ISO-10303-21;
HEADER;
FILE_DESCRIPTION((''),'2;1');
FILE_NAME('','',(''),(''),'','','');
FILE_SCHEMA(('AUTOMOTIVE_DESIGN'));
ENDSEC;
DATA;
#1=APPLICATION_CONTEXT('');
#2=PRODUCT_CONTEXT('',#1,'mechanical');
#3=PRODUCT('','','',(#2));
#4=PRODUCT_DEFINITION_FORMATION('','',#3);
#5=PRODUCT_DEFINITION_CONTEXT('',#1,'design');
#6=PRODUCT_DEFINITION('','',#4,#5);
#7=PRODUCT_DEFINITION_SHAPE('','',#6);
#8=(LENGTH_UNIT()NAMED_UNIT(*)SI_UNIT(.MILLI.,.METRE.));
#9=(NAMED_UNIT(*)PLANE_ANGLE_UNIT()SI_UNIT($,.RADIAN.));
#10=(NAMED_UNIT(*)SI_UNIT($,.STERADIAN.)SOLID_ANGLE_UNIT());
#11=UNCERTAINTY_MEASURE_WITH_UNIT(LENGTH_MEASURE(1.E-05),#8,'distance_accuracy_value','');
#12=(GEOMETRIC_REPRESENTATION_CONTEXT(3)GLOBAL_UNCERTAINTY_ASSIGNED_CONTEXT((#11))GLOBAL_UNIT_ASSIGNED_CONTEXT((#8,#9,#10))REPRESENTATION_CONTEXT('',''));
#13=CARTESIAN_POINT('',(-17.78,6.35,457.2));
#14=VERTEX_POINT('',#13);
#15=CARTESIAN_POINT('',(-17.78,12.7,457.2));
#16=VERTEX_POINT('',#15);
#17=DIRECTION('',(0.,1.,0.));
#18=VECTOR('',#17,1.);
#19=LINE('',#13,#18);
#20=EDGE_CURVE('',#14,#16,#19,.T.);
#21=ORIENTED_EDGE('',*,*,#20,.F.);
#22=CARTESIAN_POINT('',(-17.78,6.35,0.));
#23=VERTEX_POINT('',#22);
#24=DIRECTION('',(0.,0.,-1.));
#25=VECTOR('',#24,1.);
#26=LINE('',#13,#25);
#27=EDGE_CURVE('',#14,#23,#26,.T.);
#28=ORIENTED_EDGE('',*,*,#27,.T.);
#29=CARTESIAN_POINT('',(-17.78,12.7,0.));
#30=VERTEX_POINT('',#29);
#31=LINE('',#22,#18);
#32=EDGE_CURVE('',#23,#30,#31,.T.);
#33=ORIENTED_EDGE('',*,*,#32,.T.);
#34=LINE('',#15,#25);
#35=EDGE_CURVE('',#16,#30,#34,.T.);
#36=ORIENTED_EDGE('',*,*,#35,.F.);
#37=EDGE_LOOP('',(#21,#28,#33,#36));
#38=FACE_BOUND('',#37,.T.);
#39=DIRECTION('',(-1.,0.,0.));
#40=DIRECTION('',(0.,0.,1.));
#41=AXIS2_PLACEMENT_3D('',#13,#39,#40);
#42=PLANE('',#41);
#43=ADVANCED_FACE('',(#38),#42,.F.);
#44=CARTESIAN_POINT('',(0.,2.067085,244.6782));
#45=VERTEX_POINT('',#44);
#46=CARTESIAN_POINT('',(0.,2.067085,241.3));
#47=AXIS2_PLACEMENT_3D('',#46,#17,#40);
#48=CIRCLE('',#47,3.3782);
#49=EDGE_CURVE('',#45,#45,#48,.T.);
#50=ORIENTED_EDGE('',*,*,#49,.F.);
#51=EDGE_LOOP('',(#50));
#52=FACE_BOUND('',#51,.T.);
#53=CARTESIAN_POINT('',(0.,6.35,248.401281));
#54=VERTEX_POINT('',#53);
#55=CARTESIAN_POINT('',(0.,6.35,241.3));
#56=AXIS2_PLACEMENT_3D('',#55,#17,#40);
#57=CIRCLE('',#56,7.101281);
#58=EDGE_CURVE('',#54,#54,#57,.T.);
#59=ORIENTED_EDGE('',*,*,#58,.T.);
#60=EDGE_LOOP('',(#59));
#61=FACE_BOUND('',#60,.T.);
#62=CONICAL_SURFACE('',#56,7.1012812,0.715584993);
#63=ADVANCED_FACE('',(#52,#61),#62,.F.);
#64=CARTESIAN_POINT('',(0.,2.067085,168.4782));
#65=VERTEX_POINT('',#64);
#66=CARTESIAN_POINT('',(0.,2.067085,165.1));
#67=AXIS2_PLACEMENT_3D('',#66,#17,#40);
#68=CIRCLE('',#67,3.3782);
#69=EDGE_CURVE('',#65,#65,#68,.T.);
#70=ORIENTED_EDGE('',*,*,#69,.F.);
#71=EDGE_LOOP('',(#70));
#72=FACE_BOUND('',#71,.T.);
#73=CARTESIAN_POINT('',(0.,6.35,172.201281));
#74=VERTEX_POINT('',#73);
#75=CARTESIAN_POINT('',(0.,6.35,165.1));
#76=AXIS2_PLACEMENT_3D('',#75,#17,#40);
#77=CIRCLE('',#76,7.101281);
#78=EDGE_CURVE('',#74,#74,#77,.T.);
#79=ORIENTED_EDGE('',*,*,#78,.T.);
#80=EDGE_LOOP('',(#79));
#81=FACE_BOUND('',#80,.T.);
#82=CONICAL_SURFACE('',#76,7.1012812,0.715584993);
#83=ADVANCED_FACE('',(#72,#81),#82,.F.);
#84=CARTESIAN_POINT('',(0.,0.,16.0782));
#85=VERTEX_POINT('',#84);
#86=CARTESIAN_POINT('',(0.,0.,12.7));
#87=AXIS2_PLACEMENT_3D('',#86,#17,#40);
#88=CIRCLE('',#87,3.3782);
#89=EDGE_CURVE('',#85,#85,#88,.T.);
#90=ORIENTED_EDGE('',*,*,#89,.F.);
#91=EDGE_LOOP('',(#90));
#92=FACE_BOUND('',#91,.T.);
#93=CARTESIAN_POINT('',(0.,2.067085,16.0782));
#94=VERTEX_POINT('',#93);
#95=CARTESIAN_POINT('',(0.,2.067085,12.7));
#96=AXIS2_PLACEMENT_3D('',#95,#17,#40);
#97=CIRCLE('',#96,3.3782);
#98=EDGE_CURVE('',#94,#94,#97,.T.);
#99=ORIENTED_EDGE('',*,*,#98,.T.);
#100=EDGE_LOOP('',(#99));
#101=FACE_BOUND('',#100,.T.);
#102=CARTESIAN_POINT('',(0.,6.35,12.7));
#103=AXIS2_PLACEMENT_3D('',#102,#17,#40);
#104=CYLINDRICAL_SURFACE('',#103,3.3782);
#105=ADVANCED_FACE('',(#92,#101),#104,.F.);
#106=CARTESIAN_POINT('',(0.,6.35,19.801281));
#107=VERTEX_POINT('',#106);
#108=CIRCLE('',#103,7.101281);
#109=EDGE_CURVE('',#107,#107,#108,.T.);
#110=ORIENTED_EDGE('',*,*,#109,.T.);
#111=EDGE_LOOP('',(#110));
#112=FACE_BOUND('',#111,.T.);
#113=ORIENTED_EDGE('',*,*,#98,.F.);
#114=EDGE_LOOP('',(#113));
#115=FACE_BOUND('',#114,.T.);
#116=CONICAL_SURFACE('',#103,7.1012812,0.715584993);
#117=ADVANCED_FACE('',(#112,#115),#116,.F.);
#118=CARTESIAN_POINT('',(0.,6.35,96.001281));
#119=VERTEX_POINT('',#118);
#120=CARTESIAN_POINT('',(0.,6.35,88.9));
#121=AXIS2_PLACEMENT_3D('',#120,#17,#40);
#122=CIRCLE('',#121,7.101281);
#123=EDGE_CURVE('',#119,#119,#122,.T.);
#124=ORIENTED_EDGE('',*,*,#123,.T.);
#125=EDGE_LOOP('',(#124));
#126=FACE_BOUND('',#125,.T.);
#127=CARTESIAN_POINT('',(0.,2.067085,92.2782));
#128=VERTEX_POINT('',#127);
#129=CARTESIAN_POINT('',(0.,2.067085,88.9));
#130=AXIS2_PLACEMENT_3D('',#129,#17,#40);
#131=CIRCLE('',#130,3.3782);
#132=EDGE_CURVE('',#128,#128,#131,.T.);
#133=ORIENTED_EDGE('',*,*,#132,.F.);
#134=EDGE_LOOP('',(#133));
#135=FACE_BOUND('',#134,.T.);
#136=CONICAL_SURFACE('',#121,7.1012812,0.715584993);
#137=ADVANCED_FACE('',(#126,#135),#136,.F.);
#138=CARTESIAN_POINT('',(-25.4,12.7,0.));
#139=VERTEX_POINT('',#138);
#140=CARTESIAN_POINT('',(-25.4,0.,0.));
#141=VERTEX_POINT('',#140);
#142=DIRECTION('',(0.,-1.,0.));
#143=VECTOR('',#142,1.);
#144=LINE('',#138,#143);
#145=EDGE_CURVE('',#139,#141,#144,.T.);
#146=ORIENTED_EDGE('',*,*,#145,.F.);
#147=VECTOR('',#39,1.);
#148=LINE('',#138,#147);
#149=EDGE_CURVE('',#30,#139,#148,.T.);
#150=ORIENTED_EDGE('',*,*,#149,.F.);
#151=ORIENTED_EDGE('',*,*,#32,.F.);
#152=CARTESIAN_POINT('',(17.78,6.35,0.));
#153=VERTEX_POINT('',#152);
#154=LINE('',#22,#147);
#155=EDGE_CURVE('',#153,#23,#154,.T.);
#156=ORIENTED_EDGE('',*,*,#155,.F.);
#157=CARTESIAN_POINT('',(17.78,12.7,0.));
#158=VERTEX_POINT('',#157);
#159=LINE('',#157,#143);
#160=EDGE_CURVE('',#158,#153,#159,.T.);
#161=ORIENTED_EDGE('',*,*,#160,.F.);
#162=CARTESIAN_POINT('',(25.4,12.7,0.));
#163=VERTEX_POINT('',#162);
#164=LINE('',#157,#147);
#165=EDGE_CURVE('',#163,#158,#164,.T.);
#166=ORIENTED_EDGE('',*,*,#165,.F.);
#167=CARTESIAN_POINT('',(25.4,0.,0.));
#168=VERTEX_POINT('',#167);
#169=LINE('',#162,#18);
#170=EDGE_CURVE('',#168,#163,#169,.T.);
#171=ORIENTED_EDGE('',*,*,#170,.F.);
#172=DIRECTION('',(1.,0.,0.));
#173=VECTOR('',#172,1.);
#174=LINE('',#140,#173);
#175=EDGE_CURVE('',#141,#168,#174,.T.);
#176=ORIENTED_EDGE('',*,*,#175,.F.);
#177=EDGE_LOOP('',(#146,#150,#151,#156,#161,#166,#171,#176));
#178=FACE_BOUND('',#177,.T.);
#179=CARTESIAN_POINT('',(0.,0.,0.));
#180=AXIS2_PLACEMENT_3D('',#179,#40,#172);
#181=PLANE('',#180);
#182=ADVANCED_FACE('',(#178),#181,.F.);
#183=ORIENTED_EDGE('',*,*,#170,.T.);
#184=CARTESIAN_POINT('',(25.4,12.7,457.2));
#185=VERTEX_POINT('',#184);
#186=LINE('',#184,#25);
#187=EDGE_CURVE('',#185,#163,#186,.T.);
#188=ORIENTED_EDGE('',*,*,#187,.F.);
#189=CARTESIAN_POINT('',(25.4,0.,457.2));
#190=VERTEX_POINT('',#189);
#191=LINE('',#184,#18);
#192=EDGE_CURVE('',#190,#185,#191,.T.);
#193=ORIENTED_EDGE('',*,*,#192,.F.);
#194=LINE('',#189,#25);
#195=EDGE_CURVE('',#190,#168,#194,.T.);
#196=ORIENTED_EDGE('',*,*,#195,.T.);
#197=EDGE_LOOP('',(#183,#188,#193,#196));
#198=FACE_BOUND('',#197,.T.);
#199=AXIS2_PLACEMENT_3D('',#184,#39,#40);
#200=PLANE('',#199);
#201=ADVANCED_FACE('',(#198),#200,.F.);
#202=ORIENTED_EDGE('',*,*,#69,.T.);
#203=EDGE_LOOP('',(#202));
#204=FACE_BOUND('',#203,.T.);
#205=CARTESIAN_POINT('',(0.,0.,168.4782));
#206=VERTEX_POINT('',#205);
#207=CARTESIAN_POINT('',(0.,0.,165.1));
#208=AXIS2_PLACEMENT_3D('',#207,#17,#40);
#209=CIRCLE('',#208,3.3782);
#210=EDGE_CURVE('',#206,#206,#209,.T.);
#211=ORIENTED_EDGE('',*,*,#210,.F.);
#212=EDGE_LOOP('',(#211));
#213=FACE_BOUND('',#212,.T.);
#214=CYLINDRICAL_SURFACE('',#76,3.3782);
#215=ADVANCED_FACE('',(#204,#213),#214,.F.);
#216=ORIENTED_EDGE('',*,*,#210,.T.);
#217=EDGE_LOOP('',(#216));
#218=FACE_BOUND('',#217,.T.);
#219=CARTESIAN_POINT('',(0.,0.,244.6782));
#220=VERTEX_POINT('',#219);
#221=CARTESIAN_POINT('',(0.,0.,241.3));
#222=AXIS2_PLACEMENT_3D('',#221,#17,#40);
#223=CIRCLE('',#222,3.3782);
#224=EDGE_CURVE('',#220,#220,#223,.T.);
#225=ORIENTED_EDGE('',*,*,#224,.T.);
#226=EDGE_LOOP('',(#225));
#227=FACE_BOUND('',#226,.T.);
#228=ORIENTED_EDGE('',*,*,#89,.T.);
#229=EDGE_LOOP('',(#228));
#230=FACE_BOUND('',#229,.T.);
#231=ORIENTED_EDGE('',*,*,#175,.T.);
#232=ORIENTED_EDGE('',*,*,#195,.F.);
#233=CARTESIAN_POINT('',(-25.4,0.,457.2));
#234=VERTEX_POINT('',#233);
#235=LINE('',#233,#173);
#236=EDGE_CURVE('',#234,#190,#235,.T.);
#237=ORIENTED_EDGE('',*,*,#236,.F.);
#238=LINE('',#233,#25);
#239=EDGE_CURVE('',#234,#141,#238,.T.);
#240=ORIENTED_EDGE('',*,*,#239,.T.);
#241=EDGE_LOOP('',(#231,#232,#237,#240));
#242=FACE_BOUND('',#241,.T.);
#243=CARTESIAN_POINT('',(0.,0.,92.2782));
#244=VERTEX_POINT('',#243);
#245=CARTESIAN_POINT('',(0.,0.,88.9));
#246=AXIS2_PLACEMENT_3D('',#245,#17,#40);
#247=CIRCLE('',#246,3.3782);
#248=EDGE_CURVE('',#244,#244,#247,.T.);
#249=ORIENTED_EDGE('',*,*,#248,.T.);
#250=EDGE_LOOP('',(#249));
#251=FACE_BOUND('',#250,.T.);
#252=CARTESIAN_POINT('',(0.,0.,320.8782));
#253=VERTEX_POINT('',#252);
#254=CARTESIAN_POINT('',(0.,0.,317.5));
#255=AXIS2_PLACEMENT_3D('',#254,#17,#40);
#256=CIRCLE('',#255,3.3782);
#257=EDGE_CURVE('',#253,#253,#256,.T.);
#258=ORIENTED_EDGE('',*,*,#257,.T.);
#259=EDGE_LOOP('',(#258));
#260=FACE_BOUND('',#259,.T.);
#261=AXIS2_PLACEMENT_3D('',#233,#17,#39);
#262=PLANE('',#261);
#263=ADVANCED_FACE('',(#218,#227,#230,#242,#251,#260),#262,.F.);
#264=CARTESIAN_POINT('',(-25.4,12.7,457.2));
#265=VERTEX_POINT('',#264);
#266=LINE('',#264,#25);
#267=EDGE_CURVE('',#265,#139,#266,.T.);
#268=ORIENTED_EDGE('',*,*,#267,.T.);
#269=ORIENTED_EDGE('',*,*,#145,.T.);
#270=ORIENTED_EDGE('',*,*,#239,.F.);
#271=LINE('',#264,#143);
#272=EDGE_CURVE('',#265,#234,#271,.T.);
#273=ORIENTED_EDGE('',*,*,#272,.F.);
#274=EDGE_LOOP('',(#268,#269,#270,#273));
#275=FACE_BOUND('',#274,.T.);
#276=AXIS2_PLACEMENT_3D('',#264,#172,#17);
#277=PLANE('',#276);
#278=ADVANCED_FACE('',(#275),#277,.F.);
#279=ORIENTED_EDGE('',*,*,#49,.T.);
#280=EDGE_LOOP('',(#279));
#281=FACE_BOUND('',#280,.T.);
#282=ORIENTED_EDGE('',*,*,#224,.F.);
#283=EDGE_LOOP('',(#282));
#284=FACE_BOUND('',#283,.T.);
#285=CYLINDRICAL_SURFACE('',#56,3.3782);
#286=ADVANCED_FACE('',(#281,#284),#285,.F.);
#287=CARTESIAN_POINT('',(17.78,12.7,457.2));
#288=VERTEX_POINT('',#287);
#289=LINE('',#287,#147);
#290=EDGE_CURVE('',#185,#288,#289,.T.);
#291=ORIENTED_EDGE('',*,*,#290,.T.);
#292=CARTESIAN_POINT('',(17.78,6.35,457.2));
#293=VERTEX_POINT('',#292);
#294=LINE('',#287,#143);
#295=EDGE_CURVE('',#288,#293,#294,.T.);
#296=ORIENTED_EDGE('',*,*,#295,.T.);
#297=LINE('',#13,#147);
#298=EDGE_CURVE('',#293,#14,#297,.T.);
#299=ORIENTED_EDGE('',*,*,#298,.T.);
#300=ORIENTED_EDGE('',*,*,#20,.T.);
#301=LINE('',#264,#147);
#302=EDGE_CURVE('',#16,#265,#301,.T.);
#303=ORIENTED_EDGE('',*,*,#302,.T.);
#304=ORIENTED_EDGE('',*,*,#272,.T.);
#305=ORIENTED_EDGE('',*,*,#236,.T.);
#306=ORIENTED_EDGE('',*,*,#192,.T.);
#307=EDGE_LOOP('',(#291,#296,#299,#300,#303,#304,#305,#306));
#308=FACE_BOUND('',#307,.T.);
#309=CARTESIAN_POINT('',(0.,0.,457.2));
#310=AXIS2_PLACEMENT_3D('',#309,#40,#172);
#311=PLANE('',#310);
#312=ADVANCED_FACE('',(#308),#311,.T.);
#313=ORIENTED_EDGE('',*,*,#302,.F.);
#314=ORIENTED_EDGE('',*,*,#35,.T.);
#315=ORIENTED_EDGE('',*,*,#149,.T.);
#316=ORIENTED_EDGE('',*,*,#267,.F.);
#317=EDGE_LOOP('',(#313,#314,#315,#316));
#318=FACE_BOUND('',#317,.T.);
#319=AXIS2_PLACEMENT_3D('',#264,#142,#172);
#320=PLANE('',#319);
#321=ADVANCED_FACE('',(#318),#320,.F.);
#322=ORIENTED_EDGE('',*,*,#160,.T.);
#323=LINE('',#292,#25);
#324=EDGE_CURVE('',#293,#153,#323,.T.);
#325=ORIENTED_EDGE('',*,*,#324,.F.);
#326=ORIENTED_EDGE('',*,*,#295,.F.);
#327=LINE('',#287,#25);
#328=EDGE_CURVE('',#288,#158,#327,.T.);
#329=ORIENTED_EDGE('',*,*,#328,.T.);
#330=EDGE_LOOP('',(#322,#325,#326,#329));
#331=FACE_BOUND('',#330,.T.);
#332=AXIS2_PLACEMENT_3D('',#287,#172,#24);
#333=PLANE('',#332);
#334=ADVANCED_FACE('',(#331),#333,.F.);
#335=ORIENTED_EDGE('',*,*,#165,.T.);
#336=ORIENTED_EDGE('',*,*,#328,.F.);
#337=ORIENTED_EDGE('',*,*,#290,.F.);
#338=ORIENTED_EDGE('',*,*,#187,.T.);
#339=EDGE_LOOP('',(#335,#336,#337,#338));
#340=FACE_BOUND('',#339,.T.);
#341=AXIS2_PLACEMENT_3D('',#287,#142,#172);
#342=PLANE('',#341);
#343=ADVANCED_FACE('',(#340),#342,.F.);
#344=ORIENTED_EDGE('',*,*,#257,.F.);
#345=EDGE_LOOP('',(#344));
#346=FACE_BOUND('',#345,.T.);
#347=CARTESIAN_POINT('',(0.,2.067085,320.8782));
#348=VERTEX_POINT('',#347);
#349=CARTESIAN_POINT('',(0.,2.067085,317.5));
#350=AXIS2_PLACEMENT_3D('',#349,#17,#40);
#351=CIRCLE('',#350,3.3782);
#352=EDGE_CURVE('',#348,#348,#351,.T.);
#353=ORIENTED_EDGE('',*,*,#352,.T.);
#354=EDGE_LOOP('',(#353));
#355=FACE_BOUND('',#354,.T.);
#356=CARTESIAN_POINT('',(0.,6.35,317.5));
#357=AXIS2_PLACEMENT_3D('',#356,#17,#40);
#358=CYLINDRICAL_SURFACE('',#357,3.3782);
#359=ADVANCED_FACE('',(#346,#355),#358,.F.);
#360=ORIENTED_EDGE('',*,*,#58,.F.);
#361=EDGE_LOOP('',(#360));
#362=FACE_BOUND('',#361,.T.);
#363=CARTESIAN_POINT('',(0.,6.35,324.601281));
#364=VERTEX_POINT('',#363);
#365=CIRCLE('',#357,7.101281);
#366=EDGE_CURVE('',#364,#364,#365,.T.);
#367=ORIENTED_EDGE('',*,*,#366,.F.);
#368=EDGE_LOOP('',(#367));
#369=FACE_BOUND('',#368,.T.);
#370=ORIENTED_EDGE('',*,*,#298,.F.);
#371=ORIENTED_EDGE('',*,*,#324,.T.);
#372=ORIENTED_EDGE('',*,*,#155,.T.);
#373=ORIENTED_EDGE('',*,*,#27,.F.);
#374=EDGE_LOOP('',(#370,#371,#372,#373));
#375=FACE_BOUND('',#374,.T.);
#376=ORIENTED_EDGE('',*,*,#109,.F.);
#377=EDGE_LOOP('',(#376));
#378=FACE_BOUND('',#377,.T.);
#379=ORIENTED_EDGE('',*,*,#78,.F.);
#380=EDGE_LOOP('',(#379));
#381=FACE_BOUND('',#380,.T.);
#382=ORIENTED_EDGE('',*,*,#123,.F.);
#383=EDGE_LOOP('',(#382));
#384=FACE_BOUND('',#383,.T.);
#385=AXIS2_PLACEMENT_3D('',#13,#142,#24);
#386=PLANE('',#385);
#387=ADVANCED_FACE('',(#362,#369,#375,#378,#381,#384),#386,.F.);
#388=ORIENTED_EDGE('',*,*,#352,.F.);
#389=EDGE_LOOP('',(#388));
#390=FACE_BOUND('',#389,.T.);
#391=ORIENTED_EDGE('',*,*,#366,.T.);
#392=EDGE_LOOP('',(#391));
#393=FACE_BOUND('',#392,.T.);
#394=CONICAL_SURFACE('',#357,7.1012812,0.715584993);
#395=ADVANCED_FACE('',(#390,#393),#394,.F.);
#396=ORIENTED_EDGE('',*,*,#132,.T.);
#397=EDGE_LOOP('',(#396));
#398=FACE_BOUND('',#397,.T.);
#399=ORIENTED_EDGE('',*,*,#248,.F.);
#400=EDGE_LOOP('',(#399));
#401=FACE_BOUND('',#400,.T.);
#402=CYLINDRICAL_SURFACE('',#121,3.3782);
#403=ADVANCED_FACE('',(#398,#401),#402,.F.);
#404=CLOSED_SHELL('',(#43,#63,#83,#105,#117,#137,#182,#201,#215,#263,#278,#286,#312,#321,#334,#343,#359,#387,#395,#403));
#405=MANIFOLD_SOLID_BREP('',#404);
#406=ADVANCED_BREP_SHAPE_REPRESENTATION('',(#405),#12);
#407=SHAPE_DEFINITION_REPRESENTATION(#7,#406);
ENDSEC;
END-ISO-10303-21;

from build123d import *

# Parameters (mm, degrees)
BOSS_EXTRUDE1_DEPTH                           = 457.2
CSK_FOR_1_4_FLAT_HEAD_MACHINE_SCREW3_AT_COUNT = 2
CSK_FOR_1_4_FLAT_HEAD_MACHINE_SCREW3_AT_PITCH = 76.2
CSK_FOR_1_4_FLAT_HEAD_MACHINE_SCREW3_2_COUNT  = 2
CSK_FOR_1_4_FLAT_HEAD_MACHINE_SCREW3_2_PITCH  = 152.4
CSK_FOR_1_4_FLAT_HEAD_MACHINE_SCREW3_3_COUNT  = 2
CSK_FOR_1_4_FLAT_HEAD_MACHINE_SCREW3_3_PITCH  = 228.6
CSK_FOR_1_4_FLAT_HEAD_MACHINE_SCREW3_4_COUNT  = 2
CSK_FOR_1_4_FLAT_HEAD_MACHINE_SCREW3_4_PITCH  = 304.8


with BuildPart() as part:
    # Sketch → Boss-Extrude1 (new body)
    with BuildSketch(Plane.XY):
        Polygon((-17.78, 6.35), (-17.78, 12.7), (-25.4, 12.7), (-25.4, 0), (25.4, 0), (25.4, 12.7), (17.78, 12.7), (17.78, 6.35), align=None)
    extrude(amount=BOSS_EXTRUDE1_DEPTH)

    # Sketch4 → CSK for 1/4 Flat Head Machine Screw3 (revolve, cut)
    with BuildSketch(Plane(origin=(0, 6.35, 12.7), x_dir=(0, 0, 1), z_dir=(1, 0, 0))):
        Polygon((0, 0), (0, 6.35), (3.3782, 6.35), (3.3782, 4.28291499), (7.1012812, 0), align=None)
    csk_for_1_4_flat_head_machine_screw3 = revolve(axis=Axis((0, 12.7, 12.7), (0, -1, 0)), mode=Mode.SUBTRACT)

    # CSK for 1/4 Flat Head Machine Screw3 at: CSK for 1/4 Flat Head Machine Screw3 ×2
    with Locations(*[(0, 0, i * CSK_FOR_1_4_FLAT_HEAD_MACHINE_SCREW3_AT_PITCH) for i in range(1, CSK_FOR_1_4_FLAT_HEAD_MACHINE_SCREW3_AT_COUNT)]):
        add(csk_for_1_4_flat_head_machine_screw3, mode=Mode.SUBTRACT)

    # CSK for 1_4 Flat Head Machine Screw3 2: CSK for 1/4 Flat Head Machine Screw3 ×2
    with Locations(*[(0, 0, i * CSK_FOR_1_4_FLAT_HEAD_MACHINE_SCREW3_2_PITCH) for i in range(1, CSK_FOR_1_4_FLAT_HEAD_MACHINE_SCREW3_2_COUNT)]):
        add(csk_for_1_4_flat_head_machine_screw3, mode=Mode.SUBTRACT)

    # CSK for 1_4 Flat Head Machine Screw3 3: CSK for 1/4 Flat Head Machine Screw3 ×2
    with Locations(*[(0, 0, i * CSK_FOR_1_4_FLAT_HEAD_MACHINE_SCREW3_3_PITCH) for i in range(1, CSK_FOR_1_4_FLAT_HEAD_MACHINE_SCREW3_3_COUNT)]):
        add(csk_for_1_4_flat_head_machine_screw3, mode=Mode.SUBTRACT)

    # CSK for 1_4 Flat Head Machine Screw3 4: CSK for 1/4 Flat Head Machine Screw3 ×2
    with Locations(*[(0, 0, i * CSK_FOR_1_4_FLAT_HEAD_MACHINE_SCREW3_4_PITCH) for i in range(1, CSK_FOR_1_4_FLAT_HEAD_MACHINE_SCREW3_4_COUNT)]):
        add(csk_for_1_4_flat_head_machine_screw3, mode=Mode.SUBTRACT)


solid = part.part
